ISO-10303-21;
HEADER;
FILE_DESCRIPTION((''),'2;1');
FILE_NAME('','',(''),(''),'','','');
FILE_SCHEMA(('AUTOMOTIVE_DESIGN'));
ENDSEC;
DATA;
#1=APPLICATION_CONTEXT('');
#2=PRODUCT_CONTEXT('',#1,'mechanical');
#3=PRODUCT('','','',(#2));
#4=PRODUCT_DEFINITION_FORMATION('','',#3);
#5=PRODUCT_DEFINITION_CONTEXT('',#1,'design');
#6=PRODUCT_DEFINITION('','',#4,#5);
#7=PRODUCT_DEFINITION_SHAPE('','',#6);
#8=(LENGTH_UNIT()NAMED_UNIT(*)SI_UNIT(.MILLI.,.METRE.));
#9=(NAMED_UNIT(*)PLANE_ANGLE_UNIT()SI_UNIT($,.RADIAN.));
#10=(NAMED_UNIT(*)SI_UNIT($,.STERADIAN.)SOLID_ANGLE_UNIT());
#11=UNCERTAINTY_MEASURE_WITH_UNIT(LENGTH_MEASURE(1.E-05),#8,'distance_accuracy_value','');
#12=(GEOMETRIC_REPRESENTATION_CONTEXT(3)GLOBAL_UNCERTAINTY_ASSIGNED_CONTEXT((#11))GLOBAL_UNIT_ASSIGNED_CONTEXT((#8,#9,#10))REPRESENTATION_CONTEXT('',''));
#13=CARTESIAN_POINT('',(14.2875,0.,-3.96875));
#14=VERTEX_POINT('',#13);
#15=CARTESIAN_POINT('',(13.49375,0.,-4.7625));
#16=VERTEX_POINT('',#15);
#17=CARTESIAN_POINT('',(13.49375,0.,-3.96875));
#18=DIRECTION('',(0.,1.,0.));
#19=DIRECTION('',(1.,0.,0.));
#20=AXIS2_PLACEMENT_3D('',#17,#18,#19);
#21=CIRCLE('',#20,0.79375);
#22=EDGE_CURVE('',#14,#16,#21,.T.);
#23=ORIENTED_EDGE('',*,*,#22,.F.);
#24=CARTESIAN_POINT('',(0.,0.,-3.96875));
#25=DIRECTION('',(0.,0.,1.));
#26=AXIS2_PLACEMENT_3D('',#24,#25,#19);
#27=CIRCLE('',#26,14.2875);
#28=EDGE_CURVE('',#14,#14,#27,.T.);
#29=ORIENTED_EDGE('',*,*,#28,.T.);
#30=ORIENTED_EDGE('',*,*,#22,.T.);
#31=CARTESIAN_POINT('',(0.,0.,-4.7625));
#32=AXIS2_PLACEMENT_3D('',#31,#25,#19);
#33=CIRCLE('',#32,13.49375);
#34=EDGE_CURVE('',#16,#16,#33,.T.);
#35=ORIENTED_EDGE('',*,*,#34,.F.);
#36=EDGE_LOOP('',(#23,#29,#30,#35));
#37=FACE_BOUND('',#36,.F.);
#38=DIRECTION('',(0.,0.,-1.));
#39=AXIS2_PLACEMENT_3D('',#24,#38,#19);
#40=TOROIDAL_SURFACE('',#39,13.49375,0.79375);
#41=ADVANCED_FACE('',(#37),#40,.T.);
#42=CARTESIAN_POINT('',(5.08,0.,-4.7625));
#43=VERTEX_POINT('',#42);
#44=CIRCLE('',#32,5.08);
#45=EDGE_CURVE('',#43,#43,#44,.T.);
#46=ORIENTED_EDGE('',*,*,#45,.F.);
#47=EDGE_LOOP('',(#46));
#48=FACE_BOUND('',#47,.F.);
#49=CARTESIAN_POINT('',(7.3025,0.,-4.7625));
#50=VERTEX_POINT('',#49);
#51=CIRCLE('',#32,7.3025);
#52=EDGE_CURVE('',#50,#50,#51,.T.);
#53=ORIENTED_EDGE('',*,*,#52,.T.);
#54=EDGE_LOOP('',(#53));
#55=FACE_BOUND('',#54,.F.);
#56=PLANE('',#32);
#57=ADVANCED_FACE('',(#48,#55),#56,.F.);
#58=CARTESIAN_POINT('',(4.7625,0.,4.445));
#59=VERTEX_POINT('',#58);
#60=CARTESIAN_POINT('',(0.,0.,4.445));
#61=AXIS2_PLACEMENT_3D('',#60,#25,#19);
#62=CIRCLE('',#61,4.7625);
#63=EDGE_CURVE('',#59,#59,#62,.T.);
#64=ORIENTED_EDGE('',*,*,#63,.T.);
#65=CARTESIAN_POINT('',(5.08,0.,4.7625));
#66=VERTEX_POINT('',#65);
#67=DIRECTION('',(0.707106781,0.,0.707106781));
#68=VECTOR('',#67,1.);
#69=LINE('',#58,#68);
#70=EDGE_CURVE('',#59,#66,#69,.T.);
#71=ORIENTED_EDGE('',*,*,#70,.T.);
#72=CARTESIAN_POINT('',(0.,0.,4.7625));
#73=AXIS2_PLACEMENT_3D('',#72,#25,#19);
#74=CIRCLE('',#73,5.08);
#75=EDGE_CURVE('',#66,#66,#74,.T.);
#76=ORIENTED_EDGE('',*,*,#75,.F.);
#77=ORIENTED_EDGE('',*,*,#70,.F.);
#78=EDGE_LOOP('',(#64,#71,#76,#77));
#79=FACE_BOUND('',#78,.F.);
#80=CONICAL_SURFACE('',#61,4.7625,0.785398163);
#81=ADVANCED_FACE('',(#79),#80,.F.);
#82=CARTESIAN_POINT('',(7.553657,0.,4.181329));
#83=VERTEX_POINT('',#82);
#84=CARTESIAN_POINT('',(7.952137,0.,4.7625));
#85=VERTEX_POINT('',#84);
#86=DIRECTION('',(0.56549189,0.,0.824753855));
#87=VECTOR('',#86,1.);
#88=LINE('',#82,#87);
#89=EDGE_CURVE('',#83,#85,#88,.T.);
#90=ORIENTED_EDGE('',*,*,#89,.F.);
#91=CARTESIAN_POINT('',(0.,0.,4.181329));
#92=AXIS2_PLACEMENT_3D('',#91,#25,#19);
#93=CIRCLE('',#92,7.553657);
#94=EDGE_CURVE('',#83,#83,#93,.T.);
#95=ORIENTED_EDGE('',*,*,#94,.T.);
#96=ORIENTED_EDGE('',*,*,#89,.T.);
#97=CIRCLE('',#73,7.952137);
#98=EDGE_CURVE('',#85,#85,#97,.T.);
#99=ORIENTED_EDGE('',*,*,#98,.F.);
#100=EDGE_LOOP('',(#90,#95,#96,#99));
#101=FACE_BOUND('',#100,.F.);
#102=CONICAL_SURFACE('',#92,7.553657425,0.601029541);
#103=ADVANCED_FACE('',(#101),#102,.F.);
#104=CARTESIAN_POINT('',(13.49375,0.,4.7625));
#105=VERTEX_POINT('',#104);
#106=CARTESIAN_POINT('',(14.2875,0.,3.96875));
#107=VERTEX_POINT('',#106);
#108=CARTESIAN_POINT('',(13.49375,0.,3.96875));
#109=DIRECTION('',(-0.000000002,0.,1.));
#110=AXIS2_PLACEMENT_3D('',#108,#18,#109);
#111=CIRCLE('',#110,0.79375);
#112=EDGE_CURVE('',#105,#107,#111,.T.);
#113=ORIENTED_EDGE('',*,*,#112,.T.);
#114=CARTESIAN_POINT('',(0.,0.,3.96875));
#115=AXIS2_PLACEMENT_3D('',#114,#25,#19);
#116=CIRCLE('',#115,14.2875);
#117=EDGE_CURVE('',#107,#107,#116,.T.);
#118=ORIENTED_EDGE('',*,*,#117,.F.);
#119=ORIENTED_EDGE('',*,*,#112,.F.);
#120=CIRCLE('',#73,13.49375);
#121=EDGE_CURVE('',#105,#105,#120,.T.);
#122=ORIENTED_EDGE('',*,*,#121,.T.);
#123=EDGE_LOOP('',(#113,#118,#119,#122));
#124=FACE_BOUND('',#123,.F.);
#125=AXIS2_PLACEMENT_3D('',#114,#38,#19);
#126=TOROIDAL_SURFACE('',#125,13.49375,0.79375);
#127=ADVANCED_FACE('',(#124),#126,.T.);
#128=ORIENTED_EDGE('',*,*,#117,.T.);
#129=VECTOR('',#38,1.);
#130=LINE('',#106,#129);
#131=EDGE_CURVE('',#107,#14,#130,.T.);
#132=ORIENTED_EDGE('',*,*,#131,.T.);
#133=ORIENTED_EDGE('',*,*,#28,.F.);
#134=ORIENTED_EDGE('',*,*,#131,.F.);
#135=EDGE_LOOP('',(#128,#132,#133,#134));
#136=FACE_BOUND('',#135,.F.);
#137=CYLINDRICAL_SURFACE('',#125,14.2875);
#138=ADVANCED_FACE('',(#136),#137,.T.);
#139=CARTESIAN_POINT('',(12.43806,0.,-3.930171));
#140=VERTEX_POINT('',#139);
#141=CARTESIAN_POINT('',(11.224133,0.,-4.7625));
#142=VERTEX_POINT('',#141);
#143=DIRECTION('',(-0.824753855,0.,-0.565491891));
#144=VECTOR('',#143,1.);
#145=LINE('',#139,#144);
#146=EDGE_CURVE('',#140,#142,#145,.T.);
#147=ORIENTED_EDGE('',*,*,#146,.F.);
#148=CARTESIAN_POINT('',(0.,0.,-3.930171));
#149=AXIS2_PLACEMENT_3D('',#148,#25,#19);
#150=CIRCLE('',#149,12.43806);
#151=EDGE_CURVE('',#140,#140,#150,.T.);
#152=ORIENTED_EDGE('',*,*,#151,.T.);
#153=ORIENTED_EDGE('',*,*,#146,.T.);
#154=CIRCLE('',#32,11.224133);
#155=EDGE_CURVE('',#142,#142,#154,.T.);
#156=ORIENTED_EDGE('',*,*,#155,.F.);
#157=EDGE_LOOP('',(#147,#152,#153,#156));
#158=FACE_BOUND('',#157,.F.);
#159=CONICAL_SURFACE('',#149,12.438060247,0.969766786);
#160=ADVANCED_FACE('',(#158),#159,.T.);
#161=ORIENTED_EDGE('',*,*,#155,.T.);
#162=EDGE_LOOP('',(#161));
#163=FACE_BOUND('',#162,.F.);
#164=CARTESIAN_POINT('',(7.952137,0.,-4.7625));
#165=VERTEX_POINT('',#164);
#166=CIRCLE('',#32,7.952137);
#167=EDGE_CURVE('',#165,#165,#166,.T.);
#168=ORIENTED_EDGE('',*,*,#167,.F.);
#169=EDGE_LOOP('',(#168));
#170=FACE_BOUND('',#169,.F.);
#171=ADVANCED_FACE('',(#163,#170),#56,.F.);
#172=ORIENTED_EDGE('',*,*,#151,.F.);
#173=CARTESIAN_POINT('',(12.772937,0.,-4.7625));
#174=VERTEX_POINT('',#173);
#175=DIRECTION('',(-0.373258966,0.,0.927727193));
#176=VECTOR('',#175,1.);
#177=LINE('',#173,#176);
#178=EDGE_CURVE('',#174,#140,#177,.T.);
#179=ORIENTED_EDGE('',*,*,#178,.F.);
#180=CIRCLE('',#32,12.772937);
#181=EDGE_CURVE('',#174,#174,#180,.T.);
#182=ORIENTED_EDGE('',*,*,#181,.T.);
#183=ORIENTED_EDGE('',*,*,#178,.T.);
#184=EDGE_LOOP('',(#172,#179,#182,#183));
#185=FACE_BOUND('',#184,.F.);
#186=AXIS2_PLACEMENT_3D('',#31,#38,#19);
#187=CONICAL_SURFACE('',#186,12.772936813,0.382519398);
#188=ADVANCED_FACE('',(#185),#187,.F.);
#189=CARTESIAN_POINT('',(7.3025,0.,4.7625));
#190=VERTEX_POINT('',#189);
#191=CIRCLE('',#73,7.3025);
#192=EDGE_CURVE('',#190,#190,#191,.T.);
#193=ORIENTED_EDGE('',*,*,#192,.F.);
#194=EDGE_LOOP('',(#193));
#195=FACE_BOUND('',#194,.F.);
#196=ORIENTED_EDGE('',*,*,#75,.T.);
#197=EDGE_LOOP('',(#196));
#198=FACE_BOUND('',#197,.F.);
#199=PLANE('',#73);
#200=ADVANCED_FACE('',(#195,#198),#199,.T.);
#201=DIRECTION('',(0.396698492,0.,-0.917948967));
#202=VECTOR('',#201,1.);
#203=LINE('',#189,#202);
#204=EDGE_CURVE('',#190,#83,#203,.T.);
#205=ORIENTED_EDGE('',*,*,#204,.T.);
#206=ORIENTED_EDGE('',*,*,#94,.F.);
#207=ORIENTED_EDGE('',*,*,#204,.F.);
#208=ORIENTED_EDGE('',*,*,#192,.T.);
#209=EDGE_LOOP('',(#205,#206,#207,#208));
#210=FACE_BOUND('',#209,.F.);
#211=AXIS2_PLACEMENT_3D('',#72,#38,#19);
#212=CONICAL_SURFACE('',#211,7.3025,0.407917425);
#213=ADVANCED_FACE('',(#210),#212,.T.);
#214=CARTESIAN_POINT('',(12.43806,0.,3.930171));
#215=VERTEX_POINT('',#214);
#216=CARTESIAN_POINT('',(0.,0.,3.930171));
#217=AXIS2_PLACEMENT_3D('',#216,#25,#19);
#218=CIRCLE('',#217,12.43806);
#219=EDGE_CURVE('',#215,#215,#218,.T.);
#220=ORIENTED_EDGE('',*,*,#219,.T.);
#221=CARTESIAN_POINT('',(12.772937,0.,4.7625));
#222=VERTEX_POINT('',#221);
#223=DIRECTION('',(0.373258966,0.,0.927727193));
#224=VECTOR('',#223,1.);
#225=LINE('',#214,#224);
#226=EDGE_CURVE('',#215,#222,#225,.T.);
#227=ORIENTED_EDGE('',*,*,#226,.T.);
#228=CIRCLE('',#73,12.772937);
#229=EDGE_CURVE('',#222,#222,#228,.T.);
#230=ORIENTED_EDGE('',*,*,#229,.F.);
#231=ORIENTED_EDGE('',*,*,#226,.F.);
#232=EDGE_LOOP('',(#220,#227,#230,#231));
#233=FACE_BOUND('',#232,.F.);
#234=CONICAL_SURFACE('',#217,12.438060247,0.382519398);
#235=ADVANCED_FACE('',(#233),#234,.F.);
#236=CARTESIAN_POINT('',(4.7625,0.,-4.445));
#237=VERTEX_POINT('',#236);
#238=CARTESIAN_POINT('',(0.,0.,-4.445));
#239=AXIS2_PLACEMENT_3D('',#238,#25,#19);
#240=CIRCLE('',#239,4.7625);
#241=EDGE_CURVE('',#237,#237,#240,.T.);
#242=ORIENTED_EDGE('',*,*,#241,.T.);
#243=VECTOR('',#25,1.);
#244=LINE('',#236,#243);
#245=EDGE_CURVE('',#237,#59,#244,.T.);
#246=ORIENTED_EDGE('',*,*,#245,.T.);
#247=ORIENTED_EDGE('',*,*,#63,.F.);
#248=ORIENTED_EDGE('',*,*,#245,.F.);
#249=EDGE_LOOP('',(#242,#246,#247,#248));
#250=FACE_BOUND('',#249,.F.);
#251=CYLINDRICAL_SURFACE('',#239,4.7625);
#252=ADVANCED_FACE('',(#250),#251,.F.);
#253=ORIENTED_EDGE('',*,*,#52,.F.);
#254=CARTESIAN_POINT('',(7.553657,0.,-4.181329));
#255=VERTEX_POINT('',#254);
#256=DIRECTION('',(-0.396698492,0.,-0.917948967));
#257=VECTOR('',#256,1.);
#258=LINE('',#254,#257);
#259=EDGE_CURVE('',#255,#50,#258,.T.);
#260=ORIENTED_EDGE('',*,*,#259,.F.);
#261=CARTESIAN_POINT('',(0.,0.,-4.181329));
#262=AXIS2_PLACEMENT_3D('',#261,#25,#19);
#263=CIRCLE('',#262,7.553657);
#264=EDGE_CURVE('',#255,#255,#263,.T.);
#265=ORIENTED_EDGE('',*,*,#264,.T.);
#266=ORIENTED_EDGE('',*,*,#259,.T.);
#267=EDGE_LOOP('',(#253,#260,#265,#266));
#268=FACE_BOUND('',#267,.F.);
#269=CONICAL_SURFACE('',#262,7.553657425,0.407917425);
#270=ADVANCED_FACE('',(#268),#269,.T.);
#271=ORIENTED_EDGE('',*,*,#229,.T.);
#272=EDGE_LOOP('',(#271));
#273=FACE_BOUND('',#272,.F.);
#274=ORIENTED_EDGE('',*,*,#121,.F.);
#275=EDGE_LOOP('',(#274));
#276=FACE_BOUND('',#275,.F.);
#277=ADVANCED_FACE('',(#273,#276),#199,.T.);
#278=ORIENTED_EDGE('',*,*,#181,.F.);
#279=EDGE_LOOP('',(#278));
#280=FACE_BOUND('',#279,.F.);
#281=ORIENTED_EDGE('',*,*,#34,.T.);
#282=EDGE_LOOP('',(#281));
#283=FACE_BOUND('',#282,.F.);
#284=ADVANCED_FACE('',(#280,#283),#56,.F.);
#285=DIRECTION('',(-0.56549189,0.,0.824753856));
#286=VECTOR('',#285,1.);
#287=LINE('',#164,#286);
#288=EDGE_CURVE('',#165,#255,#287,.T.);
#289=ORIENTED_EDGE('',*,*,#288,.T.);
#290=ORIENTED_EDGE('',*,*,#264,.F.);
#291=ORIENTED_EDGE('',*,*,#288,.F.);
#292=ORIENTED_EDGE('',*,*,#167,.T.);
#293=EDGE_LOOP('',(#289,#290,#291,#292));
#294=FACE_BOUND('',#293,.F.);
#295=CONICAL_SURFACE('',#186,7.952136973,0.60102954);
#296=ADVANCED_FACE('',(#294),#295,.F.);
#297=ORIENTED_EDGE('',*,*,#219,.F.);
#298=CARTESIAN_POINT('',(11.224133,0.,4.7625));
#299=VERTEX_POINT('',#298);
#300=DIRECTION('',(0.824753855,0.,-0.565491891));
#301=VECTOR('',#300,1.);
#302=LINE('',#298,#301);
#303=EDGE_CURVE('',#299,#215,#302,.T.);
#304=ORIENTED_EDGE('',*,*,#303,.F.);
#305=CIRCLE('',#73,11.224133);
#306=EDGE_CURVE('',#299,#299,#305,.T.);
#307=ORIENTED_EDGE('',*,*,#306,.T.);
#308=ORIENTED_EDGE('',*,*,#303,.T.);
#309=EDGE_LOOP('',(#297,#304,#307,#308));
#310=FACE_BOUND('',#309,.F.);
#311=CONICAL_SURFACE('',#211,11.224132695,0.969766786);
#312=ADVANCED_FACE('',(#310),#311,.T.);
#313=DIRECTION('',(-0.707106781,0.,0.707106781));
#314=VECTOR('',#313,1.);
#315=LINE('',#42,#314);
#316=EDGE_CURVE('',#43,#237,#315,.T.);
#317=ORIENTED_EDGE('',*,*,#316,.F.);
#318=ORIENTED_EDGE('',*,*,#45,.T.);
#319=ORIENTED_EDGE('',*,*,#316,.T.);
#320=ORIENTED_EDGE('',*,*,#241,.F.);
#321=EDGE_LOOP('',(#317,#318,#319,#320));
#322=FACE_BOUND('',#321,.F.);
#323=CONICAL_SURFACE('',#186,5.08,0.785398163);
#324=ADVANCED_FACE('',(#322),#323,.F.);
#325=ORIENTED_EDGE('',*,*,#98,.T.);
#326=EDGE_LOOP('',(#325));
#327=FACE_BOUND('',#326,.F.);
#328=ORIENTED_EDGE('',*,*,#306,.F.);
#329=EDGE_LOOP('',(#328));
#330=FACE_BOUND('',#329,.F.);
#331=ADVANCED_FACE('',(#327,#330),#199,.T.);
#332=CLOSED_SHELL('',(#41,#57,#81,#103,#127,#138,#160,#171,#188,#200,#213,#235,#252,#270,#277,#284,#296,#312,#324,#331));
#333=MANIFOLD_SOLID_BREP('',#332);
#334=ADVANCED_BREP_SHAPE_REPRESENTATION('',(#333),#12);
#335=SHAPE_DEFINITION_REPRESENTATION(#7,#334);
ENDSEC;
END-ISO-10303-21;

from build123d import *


with BuildPart() as part:
    # Esquisse1 → Révolution1 (revolve)
    with BuildSketch(Plane(origin=(0, 0, 0), x_dir=(1, 0, 0), z_dir=(0, 1, 0))):
        with BuildLine():
            Line((5.08, 4.7625), (4.7625, 4.445))
            Line((4.7625, 4.445), (4.7625, -4.445))
            Line((4.7625, -4.445), (5.08, -4.7625))
            Line((5.08, -4.7625), (7.3025, -4.7625))
            Line((7.3025, -4.7625), (7.553657425, -4.181328901))
            Line((7.553657425, -4.181328901), (7.952136973, -4.7625))
            Line((7.952136973, -4.7625), (11.224132695, -4.7625))
            Line((11.224132695, -4.7625), (12.438060247, -3.930171442))
            Line((12.438060247, -3.930171442), (12.772936813, -4.7625))
            Line((12.772936813, -4.7625), (13.49375, -4.7625))
            ThreePointArc((13.49375, -4.7625), (14.055016008, -4.530016008), (14.2875, -3.96875))
            Line((14.2875, -3.96875), (14.2875, 3.96875))
            ThreePointArc((14.2875, 3.96875), (14.055016008, 4.530016007), (13.49375, 4.7625))
            Line((13.49375, 4.7625), (12.772936813, 4.7625))
            Line((12.772936813, 4.7625), (12.438060247, 3.930171442))
            Line((12.438060247, 3.930171442), (11.224132694, 4.7625))
            Line((11.224132694, 4.7625), (7.952136973, 4.7625))
            Line((7.952136973, 4.7625), (7.553657425, 4.1813289))
            Line((7.553657425, 4.1813289), (7.3025, 4.7625))
            Line((7.3025, 4.7625), (5.08, 4.7625))
        make_face()
    revolve(axis=Axis((0, 0, -4.76375), (0, 0, 1)))


solid = part.part
